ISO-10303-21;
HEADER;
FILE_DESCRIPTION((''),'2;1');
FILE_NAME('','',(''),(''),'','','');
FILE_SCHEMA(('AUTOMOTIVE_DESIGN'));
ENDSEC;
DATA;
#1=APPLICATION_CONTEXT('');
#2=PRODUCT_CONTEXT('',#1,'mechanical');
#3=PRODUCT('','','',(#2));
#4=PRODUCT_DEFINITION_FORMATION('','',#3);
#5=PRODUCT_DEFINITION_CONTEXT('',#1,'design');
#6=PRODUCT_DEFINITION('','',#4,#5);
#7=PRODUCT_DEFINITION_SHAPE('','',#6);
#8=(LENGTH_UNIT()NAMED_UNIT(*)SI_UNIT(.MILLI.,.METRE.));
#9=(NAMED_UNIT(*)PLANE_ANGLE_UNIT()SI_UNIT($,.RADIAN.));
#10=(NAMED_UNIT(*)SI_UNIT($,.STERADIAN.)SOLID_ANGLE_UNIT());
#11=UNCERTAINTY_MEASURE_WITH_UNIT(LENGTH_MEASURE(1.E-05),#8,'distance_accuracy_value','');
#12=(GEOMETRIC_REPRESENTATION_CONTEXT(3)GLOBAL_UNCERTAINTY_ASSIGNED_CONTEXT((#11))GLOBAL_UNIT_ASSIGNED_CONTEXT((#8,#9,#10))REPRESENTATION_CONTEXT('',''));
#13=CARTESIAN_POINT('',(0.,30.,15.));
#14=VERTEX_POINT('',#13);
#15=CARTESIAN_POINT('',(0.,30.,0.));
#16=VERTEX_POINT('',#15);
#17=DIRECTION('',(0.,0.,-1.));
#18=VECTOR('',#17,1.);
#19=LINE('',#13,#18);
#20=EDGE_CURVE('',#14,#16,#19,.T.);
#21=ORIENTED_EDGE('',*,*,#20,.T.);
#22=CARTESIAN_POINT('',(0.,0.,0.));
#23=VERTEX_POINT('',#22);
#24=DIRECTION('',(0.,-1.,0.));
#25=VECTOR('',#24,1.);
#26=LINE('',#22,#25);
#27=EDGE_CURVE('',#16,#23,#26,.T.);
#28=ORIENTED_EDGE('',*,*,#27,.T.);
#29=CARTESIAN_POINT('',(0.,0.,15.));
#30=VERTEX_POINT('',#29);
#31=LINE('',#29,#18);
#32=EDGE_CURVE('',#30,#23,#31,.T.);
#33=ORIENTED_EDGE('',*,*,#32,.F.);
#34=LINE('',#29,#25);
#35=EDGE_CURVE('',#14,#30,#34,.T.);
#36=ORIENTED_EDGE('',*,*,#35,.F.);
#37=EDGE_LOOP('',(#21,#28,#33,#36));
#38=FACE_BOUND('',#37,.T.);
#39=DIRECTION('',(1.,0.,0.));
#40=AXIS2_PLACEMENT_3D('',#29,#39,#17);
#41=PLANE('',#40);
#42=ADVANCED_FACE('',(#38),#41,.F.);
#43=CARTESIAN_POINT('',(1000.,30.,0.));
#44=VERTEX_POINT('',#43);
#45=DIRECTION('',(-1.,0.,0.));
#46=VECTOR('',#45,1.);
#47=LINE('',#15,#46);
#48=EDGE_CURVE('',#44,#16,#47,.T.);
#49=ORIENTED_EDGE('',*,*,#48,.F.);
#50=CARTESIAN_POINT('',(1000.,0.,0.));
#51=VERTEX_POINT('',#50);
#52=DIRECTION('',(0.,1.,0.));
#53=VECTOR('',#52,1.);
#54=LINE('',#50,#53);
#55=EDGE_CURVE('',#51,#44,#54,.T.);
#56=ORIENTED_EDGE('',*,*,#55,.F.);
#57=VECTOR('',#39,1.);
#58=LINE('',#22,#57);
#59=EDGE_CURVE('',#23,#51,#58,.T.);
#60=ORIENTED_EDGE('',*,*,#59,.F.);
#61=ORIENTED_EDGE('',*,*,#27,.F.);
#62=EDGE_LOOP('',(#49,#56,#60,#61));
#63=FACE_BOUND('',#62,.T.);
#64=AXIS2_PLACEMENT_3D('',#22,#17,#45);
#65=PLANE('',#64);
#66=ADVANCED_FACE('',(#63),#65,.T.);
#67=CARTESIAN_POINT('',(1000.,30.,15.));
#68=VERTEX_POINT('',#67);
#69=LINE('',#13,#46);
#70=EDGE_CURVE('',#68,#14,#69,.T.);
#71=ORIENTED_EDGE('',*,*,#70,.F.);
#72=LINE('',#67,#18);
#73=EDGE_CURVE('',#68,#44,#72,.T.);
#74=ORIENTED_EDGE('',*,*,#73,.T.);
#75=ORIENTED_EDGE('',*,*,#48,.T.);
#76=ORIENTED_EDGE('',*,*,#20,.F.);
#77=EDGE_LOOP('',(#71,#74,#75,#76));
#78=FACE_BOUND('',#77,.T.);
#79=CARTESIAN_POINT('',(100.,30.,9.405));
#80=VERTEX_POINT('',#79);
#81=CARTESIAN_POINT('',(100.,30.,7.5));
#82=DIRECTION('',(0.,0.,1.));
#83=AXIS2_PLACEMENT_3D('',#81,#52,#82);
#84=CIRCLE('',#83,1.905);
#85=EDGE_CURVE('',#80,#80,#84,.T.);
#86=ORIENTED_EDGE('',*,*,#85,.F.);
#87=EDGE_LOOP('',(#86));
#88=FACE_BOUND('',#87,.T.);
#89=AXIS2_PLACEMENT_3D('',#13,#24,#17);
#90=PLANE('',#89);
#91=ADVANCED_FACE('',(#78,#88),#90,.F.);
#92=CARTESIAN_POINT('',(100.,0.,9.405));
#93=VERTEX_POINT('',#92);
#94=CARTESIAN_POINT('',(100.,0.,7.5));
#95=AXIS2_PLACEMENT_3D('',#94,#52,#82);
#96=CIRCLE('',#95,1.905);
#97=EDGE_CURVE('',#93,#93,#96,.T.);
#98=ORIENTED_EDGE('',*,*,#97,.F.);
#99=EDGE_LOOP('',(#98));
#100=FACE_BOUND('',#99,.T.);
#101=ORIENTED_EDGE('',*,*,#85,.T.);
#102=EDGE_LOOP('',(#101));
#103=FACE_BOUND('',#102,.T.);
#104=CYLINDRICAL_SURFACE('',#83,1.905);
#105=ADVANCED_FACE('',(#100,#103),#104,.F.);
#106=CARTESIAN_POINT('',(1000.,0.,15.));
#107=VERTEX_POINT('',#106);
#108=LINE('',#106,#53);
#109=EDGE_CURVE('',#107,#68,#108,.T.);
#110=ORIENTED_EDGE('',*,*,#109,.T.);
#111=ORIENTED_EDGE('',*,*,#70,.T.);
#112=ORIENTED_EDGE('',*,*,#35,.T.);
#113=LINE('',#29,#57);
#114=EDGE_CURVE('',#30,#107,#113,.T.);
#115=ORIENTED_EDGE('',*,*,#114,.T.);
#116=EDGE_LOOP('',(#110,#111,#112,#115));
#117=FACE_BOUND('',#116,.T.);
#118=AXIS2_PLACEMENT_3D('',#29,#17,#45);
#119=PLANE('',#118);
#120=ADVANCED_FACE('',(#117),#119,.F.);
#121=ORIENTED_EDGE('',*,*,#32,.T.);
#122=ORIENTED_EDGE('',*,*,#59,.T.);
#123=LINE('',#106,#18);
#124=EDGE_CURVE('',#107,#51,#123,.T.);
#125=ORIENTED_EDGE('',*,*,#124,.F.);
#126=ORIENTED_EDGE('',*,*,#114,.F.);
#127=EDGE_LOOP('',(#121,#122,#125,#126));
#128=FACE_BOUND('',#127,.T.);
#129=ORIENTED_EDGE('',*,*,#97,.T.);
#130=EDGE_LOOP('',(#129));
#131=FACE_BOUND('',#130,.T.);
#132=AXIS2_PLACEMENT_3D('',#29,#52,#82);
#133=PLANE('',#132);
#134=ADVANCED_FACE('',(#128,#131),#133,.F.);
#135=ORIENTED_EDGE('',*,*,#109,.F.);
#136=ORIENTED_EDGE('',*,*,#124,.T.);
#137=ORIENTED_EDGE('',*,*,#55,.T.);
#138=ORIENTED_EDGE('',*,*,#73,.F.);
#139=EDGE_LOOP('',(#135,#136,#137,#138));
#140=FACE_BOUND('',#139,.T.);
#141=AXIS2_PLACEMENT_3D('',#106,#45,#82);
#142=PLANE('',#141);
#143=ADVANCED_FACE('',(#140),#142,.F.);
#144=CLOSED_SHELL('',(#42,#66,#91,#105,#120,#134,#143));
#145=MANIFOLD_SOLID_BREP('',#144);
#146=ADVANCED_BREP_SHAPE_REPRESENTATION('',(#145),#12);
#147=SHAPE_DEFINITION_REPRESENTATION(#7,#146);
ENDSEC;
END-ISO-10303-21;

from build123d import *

# Parameters (mm, degrees)
SKETCH1_W                      = 100
SKETCH1_H                      = 3
BOSS_EXTRUDE1_DEPTH            = 1.5
SCALE1_SCALE                   = 10
F_6_0_204_DIAMETER_HOLE1_D     = 3.81
F_6_0_204_DIAMETER_HOLE1_DEPTH = 49


with BuildPart() as part:
    # Sketch1 → Boss-Extrude1 (new body)
    with BuildSketch(Plane.XY):
        with Locations((50, 1.5)):
            Rectangle(SKETCH1_W, SKETCH1_H)
    extrude(amount=BOSS_EXTRUDE1_DEPTH)


with BuildPart() as part_1:
    # Scale1: scaled about (0, 0, 0)
    add(part.part.scale(SCALE1_SCALE))

    # #6 (0.204) Diameter Hole1
    with Locations(Plane(origin=(-109.418477494, 30, -1000), x_dir=(1, 0, 0), z_dir=(0, 1, 0))):
        with Locations((209.418477494, -1007.5)):
            Hole(F_6_0_204_DIAMETER_HOLE1_D / 2, depth=F_6_0_204_DIAMETER_HOLE1_DEPTH)


solid = part_1.part
